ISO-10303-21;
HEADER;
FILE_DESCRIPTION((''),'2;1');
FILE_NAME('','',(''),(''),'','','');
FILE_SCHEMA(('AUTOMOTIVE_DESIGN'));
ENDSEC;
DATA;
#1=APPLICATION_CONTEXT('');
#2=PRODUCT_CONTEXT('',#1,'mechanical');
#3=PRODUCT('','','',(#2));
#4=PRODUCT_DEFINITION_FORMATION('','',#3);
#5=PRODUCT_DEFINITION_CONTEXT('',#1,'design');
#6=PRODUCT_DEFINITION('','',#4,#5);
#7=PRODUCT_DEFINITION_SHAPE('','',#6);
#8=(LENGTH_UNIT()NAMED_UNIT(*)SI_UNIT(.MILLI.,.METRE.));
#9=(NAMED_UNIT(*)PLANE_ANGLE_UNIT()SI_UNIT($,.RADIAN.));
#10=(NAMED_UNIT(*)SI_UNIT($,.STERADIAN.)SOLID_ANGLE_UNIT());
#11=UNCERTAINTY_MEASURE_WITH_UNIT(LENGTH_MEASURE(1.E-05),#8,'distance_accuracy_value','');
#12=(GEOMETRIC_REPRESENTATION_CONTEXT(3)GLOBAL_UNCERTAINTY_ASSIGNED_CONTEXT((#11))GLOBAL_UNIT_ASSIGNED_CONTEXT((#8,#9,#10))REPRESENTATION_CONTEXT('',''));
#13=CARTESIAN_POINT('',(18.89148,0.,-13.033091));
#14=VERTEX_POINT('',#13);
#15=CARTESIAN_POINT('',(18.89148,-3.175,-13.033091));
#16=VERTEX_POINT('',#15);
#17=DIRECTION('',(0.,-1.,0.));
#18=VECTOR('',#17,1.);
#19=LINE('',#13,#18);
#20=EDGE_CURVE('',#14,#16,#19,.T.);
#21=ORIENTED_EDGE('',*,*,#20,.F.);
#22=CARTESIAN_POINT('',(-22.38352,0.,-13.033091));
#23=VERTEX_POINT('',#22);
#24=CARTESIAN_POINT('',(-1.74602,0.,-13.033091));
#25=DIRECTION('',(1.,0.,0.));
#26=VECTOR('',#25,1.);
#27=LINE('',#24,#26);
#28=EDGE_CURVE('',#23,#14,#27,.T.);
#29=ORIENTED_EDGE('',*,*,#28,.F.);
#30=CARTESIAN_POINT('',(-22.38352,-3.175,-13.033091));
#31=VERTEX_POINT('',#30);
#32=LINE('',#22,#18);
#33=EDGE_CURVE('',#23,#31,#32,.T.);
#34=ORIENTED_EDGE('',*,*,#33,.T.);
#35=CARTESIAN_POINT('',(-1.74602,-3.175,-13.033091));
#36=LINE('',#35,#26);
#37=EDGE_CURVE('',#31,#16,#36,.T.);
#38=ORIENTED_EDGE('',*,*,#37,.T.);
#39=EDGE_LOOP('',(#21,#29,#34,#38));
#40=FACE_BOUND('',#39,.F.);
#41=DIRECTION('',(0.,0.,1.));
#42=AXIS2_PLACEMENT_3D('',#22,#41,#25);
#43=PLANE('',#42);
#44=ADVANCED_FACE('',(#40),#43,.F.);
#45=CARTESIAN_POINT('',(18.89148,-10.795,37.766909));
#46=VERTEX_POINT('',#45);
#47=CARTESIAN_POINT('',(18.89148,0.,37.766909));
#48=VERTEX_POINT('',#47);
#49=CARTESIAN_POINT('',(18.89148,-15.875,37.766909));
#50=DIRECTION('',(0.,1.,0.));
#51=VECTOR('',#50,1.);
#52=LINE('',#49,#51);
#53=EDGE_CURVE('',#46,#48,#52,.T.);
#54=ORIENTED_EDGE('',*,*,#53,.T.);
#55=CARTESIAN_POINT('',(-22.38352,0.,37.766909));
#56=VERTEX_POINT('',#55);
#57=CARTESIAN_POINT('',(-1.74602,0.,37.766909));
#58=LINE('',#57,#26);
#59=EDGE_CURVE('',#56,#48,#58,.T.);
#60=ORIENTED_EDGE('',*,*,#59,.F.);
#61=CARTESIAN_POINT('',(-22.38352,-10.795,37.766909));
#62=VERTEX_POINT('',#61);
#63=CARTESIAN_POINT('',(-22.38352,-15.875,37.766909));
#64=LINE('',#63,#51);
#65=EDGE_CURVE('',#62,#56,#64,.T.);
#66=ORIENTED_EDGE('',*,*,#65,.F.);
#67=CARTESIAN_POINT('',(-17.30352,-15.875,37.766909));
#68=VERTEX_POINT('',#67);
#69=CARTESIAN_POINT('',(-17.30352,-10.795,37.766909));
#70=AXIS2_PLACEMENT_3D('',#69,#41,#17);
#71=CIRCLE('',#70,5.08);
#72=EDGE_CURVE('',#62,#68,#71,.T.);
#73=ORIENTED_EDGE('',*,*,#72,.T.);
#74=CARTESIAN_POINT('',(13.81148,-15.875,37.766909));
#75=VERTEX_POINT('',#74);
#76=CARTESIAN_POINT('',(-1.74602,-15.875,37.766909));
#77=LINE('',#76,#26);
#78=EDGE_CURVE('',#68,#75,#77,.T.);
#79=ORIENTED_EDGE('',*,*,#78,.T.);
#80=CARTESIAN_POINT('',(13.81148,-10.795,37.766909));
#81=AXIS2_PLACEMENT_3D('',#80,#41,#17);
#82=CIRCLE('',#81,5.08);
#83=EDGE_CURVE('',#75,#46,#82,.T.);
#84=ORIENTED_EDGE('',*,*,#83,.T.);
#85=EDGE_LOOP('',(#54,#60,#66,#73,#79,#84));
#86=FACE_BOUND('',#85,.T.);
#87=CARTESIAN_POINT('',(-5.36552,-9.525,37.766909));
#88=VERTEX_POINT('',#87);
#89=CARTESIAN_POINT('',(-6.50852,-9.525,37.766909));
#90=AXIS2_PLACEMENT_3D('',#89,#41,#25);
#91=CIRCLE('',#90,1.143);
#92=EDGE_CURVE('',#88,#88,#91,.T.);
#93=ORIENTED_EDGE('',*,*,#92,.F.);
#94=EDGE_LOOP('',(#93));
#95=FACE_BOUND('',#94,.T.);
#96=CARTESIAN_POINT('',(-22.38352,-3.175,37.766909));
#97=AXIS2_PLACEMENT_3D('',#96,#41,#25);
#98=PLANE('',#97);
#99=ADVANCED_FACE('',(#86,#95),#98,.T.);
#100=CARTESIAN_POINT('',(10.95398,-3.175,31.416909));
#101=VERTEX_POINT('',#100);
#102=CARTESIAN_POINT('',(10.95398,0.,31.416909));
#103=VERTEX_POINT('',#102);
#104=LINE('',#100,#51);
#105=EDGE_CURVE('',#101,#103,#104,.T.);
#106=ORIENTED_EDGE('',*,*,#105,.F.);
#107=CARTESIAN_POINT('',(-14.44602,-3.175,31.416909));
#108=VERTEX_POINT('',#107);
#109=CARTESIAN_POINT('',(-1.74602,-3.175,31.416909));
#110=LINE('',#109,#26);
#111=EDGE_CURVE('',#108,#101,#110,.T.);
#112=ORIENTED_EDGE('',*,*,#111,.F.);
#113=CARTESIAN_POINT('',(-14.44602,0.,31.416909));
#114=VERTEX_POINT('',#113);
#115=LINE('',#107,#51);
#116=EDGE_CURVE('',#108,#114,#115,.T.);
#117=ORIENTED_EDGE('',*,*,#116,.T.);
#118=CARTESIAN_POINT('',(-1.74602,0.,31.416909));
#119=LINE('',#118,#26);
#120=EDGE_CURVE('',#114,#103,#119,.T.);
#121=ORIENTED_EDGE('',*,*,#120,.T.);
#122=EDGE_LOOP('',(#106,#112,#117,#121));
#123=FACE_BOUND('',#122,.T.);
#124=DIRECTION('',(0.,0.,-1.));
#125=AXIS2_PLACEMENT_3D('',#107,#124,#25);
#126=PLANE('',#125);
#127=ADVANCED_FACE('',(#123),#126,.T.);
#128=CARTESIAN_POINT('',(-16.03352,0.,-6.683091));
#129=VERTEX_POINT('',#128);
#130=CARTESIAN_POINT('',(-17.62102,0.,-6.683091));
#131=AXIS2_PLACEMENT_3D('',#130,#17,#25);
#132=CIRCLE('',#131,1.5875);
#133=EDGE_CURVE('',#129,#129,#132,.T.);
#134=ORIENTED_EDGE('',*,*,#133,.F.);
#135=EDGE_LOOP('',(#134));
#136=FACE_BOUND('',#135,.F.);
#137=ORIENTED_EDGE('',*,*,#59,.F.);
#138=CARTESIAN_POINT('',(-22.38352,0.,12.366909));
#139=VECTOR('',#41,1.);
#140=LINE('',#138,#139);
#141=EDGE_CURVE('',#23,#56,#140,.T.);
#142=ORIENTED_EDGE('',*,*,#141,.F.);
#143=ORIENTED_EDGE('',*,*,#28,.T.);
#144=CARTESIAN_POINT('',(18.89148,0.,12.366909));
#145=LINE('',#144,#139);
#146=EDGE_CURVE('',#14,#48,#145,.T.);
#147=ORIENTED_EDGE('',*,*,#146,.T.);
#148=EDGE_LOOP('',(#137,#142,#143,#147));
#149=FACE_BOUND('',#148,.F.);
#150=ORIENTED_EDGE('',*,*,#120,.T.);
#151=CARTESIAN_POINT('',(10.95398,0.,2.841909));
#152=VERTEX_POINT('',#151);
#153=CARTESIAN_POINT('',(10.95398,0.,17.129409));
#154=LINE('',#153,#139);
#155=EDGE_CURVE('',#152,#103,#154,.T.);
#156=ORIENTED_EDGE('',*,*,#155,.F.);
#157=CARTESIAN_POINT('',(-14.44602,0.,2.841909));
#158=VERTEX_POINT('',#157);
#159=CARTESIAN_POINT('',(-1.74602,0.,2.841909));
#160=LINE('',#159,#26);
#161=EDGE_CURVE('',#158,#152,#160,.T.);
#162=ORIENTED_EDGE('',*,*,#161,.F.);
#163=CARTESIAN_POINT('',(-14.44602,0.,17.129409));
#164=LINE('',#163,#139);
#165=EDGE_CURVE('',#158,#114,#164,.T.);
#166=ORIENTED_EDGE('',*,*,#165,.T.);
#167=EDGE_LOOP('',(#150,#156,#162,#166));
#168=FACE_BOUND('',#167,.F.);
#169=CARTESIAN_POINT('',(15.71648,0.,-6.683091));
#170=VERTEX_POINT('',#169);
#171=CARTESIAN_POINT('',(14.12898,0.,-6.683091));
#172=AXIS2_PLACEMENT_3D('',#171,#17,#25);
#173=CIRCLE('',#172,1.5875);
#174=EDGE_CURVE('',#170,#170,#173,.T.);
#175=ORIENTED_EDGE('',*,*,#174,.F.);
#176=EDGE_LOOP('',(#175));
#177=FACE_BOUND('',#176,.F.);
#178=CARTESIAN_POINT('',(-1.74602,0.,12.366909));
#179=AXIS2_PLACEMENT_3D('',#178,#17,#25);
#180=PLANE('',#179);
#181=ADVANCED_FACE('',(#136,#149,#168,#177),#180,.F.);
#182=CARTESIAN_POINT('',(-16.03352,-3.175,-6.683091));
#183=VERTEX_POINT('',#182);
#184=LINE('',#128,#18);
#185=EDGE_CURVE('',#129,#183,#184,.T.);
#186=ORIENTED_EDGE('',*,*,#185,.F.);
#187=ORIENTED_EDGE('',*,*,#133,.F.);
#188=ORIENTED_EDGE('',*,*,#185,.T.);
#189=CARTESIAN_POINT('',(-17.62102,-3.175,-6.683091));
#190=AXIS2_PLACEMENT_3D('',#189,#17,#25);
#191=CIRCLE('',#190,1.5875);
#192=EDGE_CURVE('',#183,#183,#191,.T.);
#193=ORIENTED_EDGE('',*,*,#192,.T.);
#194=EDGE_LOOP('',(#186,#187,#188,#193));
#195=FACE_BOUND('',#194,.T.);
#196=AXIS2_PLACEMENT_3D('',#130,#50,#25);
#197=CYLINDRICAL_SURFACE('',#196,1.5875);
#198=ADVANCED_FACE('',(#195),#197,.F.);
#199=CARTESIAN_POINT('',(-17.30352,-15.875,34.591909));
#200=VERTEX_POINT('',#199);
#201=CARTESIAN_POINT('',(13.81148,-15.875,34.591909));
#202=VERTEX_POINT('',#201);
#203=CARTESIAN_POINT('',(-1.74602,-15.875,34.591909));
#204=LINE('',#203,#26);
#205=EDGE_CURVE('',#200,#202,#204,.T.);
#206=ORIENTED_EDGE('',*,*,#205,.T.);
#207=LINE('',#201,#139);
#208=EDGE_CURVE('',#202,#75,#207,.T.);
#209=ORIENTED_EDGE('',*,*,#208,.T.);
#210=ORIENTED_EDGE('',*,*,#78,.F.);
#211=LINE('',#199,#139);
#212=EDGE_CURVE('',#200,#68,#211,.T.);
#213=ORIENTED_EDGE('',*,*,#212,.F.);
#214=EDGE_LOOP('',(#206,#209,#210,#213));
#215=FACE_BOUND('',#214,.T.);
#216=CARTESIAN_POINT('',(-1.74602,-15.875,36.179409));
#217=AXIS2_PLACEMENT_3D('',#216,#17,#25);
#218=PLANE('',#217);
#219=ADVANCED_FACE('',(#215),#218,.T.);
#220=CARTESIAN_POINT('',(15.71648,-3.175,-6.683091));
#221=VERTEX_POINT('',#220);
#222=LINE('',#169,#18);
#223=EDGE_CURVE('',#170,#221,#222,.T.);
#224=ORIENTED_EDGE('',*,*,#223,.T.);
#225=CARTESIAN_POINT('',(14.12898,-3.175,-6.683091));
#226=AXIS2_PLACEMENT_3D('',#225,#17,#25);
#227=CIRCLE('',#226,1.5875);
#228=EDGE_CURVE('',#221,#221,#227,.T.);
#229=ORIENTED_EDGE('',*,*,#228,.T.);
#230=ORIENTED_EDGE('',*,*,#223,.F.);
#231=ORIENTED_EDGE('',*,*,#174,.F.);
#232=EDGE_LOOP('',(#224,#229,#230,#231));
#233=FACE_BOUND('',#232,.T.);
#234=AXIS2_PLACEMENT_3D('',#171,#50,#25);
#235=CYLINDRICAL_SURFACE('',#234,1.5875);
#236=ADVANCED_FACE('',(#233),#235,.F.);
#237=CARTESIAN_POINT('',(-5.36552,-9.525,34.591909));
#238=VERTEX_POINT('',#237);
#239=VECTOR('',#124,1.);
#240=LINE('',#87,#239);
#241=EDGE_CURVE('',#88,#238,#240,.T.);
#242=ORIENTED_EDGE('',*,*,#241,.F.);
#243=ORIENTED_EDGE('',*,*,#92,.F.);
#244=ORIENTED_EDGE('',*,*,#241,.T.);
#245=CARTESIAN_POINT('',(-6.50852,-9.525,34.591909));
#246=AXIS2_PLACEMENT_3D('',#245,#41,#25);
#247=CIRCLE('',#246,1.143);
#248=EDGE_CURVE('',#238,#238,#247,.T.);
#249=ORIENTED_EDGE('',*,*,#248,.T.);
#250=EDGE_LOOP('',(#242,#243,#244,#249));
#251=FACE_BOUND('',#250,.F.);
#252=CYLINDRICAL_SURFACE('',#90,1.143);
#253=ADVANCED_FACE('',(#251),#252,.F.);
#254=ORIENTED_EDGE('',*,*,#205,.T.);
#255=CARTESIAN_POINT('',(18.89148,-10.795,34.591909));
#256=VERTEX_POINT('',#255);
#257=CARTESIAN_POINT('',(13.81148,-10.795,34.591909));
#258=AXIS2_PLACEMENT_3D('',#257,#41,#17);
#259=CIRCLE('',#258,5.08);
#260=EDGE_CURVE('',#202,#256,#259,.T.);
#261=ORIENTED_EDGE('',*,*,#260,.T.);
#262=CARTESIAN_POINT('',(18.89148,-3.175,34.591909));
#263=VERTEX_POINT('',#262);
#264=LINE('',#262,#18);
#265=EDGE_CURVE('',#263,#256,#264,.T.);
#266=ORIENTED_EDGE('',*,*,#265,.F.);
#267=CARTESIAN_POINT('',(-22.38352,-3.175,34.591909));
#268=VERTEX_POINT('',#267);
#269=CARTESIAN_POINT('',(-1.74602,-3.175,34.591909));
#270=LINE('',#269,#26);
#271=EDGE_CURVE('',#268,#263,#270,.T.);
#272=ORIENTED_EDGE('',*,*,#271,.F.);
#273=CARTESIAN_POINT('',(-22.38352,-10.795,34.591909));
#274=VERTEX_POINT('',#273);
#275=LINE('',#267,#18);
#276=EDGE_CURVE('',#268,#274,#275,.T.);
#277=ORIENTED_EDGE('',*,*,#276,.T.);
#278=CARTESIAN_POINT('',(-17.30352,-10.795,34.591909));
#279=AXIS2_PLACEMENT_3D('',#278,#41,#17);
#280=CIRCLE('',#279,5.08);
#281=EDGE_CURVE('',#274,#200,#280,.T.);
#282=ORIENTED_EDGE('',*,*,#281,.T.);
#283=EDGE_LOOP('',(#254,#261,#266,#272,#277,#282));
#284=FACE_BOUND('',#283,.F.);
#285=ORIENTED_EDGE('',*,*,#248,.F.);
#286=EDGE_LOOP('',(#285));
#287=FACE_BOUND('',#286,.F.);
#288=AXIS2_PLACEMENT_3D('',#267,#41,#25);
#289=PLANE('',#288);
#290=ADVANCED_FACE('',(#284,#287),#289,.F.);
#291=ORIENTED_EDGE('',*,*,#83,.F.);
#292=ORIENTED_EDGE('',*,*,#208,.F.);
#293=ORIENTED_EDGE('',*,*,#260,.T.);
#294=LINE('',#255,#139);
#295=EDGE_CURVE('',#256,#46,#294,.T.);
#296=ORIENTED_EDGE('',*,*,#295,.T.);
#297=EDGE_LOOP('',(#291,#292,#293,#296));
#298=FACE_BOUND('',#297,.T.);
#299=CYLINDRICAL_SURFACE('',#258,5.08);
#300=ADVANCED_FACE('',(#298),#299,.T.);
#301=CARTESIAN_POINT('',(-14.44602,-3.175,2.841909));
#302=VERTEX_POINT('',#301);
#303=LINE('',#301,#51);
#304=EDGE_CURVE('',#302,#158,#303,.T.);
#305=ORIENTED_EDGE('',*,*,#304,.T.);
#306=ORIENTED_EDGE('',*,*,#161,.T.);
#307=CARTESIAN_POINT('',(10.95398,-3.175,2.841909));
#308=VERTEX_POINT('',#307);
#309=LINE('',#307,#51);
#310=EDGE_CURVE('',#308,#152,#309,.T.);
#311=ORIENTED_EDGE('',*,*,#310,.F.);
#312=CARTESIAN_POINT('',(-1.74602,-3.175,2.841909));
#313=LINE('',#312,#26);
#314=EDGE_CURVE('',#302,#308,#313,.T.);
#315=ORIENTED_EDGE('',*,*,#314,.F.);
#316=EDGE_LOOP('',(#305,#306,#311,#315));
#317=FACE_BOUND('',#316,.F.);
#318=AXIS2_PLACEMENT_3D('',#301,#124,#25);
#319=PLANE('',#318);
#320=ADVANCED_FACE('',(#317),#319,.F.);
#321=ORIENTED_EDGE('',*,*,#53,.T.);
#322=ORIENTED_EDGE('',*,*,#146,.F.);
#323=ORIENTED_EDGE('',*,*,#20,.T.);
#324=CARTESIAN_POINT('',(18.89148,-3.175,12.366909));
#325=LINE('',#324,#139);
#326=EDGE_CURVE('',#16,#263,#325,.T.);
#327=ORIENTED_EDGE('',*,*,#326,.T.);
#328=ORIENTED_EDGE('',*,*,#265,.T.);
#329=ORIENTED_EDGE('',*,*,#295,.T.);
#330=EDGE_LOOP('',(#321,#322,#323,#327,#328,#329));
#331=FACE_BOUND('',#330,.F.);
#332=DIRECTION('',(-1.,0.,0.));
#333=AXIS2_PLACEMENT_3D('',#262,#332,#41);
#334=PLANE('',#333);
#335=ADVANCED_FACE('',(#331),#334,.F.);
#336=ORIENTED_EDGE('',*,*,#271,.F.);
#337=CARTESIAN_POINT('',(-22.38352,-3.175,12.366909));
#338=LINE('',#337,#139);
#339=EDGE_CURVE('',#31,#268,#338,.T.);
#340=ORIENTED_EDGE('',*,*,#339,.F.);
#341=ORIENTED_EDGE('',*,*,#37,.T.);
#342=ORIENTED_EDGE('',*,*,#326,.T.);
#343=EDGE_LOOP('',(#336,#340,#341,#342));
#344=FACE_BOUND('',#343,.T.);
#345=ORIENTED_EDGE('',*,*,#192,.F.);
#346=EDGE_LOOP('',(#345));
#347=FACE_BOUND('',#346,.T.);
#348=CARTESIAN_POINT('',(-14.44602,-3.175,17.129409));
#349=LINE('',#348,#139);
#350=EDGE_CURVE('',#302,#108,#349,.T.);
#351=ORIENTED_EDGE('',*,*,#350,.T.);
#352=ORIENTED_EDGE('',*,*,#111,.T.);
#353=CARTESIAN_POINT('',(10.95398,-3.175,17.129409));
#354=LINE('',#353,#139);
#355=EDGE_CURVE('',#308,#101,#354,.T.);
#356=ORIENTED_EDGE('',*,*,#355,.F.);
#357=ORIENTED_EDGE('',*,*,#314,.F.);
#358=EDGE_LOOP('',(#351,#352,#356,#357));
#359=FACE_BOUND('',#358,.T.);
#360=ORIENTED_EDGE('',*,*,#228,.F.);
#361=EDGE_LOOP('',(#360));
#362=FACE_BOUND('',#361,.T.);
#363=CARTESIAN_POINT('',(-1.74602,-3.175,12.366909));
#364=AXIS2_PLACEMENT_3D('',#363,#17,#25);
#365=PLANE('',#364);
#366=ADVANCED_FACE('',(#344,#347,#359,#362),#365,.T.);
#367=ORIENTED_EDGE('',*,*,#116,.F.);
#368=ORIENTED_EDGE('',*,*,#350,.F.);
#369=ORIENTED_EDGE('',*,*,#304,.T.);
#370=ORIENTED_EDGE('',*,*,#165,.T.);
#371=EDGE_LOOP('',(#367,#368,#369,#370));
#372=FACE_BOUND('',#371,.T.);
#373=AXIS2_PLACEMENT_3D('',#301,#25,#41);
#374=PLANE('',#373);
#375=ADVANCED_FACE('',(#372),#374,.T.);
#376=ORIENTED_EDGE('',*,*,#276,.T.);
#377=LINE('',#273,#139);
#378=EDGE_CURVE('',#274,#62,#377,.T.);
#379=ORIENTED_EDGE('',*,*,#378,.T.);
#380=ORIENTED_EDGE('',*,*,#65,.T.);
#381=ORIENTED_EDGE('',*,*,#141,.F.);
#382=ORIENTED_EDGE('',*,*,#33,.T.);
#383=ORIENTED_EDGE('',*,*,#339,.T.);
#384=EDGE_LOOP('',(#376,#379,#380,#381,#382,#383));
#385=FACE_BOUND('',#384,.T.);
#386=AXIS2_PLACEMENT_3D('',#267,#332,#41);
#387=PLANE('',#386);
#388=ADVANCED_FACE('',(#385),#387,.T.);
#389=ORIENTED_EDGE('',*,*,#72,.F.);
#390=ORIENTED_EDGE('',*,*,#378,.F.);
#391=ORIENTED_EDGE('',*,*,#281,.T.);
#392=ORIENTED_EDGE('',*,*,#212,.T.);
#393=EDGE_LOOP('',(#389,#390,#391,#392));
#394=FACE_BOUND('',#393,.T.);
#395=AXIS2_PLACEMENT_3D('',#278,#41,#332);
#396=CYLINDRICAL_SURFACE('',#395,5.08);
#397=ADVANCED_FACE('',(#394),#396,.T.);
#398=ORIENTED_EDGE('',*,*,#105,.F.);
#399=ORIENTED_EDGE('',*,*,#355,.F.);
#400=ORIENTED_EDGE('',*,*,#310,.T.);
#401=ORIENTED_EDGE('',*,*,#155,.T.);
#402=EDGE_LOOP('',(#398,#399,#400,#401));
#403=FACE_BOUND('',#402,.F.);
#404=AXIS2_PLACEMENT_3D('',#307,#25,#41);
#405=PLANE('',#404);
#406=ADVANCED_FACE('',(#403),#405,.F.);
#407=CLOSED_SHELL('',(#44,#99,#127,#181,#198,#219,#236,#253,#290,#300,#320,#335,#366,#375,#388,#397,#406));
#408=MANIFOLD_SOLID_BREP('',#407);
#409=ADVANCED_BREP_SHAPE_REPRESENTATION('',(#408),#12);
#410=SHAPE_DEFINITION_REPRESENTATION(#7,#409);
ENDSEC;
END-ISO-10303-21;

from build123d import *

# Parameters (mm, degrees)
F0_W     = 41.275
F0_H     = 50.8
F0_R     = 1.5875
F1_DEPTH = 3.175
F2_W     = 41.275
F2_H     = 3.175
F3_DEPTH = 12.7
F5_W     = 25.4
F5_H     = 28.575
F6_DEPTH = 3.175
F4_R     = 1.143
F7_DEPTH = 25.4
F8_R     = 5.08
F9_R     = 5.08


with BuildPart() as f1:
    # F0 (on Front) → F1 (new body)
    with BuildSketch(Plane.XZ):
        with Locations((-1.74602, 12.366909)):
            Rectangle(F0_W, F0_H)
        with Locations((-17.62102, -6.683091)):
            Circle(F0_R, mode=Mode.SUBTRACT)
        with Locations((14.12898, -6.683091)):
            Circle(F0_R, mode=Mode.SUBTRACT)
    extrude(amount=F1_DEPTH)

    # F2 (on face) → F3 (join)
    with BuildSketch(Plane.XZ.offset(3.175)):
        with Locations((-1.74602, 36.179409)):
            Rectangle(F2_W, F2_H)
    extrude(amount=F3_DEPTH)

    # F5 (on face) → F6 (cut)
    with BuildSketch(Plane.XZ.offset(3.175)):
        with Locations((-1.74602, 17.129409)):
            Rectangle(F5_W, F5_H)
    extrude(amount=-F6_DEPTH, mode=Mode.SUBTRACT)

    # F4 (on face) → F7 (cut)
    with BuildSketch(Plane.XY.offset(37.766909)):
        with Locations((-6.50852, -9.525)):
            Circle(F4_R)
    extrude(amount=-F7_DEPTH, mode=Mode.SUBTRACT)

    # F8
    f8_edges = [f1.edges().sort_by_distance(p)[0] for p in [
        (-22.38352, -15.875, 36.179409),
    ]]
    fillet(f8_edges, radius=F8_R)

    # F9
    f9_edges = [f1.edges().sort_by_distance(p)[0] for p in [
        (18.89148, -15.875, 36.179409),
    ]]
    fillet(f9_edges, radius=F9_R)


solid = f1.part
